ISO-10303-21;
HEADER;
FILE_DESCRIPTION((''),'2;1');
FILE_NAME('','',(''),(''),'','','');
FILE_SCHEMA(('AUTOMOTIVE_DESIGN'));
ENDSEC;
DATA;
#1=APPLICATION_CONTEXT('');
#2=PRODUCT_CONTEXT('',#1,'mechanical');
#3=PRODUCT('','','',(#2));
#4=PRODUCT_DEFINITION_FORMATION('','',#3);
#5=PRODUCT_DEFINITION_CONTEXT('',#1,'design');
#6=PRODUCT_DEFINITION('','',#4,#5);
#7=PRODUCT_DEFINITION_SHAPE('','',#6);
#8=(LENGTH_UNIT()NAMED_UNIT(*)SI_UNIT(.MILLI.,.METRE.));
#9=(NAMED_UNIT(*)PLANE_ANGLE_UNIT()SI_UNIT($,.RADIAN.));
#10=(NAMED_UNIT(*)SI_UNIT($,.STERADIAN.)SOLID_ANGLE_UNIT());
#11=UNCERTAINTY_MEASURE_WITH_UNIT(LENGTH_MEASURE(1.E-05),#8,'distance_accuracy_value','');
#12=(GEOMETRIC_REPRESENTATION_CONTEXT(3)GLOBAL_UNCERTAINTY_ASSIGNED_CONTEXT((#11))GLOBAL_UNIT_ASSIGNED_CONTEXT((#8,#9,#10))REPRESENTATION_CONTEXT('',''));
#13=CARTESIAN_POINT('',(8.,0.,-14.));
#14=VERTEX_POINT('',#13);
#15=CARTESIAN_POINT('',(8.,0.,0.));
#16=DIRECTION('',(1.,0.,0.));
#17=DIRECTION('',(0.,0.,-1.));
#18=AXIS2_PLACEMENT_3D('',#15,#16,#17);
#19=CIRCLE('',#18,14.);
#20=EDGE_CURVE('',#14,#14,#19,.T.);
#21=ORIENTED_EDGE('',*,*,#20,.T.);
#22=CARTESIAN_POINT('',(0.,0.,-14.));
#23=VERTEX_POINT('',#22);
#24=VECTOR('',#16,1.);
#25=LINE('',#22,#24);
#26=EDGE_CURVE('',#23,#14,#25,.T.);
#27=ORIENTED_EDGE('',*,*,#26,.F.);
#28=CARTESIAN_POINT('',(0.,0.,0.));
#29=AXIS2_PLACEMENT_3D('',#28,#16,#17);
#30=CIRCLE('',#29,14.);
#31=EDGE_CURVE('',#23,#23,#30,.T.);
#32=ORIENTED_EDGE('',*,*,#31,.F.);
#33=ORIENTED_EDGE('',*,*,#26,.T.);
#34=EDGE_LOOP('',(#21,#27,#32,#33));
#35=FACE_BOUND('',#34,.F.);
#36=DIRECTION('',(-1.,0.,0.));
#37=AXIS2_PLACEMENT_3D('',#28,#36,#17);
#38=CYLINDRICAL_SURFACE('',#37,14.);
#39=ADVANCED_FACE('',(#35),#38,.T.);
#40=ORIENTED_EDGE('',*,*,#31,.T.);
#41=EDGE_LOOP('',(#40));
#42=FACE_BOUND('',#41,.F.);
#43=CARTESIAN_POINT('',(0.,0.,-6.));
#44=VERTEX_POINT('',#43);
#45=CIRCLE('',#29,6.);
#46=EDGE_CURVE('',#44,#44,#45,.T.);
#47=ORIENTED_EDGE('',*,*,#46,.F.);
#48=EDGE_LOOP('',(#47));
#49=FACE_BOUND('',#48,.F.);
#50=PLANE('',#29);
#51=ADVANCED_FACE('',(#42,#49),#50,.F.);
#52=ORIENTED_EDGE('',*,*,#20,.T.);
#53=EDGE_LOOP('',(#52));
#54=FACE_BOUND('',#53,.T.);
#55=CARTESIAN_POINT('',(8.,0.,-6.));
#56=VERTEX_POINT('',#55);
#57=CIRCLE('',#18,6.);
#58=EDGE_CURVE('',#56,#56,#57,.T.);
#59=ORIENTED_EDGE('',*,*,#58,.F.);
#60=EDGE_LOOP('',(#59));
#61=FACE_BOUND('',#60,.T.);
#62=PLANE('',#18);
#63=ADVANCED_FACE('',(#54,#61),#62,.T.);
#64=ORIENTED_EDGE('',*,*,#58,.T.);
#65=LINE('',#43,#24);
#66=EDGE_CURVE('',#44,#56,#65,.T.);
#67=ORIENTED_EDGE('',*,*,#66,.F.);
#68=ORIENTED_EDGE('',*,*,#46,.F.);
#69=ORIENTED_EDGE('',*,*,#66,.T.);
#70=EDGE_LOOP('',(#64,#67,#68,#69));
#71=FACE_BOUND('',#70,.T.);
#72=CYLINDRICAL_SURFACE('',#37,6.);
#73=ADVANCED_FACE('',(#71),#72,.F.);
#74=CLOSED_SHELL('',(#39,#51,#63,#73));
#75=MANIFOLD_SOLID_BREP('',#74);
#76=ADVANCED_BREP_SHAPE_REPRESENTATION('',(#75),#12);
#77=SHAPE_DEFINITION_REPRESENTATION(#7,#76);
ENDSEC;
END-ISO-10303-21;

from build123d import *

# Parameters (mm, degrees)
SKETCH1_R           = 14
SKETCH1_R_2         = 6
BOSS_EXTRUDE1_DEPTH = 8


with BuildPart() as part:
    # Sketch1 → Boss-Extrude1 (new body)
    with BuildSketch(Plane(origin=(0, 0, 0), x_dir=(0, 0, -1), z_dir=(1, 0, 0))):
        Circle(SKETCH1_R)
        Circle(SKETCH1_R_2, mode=Mode.SUBTRACT)
    extrude(amount=BOSS_EXTRUDE1_DEPTH)


solid = part.part
